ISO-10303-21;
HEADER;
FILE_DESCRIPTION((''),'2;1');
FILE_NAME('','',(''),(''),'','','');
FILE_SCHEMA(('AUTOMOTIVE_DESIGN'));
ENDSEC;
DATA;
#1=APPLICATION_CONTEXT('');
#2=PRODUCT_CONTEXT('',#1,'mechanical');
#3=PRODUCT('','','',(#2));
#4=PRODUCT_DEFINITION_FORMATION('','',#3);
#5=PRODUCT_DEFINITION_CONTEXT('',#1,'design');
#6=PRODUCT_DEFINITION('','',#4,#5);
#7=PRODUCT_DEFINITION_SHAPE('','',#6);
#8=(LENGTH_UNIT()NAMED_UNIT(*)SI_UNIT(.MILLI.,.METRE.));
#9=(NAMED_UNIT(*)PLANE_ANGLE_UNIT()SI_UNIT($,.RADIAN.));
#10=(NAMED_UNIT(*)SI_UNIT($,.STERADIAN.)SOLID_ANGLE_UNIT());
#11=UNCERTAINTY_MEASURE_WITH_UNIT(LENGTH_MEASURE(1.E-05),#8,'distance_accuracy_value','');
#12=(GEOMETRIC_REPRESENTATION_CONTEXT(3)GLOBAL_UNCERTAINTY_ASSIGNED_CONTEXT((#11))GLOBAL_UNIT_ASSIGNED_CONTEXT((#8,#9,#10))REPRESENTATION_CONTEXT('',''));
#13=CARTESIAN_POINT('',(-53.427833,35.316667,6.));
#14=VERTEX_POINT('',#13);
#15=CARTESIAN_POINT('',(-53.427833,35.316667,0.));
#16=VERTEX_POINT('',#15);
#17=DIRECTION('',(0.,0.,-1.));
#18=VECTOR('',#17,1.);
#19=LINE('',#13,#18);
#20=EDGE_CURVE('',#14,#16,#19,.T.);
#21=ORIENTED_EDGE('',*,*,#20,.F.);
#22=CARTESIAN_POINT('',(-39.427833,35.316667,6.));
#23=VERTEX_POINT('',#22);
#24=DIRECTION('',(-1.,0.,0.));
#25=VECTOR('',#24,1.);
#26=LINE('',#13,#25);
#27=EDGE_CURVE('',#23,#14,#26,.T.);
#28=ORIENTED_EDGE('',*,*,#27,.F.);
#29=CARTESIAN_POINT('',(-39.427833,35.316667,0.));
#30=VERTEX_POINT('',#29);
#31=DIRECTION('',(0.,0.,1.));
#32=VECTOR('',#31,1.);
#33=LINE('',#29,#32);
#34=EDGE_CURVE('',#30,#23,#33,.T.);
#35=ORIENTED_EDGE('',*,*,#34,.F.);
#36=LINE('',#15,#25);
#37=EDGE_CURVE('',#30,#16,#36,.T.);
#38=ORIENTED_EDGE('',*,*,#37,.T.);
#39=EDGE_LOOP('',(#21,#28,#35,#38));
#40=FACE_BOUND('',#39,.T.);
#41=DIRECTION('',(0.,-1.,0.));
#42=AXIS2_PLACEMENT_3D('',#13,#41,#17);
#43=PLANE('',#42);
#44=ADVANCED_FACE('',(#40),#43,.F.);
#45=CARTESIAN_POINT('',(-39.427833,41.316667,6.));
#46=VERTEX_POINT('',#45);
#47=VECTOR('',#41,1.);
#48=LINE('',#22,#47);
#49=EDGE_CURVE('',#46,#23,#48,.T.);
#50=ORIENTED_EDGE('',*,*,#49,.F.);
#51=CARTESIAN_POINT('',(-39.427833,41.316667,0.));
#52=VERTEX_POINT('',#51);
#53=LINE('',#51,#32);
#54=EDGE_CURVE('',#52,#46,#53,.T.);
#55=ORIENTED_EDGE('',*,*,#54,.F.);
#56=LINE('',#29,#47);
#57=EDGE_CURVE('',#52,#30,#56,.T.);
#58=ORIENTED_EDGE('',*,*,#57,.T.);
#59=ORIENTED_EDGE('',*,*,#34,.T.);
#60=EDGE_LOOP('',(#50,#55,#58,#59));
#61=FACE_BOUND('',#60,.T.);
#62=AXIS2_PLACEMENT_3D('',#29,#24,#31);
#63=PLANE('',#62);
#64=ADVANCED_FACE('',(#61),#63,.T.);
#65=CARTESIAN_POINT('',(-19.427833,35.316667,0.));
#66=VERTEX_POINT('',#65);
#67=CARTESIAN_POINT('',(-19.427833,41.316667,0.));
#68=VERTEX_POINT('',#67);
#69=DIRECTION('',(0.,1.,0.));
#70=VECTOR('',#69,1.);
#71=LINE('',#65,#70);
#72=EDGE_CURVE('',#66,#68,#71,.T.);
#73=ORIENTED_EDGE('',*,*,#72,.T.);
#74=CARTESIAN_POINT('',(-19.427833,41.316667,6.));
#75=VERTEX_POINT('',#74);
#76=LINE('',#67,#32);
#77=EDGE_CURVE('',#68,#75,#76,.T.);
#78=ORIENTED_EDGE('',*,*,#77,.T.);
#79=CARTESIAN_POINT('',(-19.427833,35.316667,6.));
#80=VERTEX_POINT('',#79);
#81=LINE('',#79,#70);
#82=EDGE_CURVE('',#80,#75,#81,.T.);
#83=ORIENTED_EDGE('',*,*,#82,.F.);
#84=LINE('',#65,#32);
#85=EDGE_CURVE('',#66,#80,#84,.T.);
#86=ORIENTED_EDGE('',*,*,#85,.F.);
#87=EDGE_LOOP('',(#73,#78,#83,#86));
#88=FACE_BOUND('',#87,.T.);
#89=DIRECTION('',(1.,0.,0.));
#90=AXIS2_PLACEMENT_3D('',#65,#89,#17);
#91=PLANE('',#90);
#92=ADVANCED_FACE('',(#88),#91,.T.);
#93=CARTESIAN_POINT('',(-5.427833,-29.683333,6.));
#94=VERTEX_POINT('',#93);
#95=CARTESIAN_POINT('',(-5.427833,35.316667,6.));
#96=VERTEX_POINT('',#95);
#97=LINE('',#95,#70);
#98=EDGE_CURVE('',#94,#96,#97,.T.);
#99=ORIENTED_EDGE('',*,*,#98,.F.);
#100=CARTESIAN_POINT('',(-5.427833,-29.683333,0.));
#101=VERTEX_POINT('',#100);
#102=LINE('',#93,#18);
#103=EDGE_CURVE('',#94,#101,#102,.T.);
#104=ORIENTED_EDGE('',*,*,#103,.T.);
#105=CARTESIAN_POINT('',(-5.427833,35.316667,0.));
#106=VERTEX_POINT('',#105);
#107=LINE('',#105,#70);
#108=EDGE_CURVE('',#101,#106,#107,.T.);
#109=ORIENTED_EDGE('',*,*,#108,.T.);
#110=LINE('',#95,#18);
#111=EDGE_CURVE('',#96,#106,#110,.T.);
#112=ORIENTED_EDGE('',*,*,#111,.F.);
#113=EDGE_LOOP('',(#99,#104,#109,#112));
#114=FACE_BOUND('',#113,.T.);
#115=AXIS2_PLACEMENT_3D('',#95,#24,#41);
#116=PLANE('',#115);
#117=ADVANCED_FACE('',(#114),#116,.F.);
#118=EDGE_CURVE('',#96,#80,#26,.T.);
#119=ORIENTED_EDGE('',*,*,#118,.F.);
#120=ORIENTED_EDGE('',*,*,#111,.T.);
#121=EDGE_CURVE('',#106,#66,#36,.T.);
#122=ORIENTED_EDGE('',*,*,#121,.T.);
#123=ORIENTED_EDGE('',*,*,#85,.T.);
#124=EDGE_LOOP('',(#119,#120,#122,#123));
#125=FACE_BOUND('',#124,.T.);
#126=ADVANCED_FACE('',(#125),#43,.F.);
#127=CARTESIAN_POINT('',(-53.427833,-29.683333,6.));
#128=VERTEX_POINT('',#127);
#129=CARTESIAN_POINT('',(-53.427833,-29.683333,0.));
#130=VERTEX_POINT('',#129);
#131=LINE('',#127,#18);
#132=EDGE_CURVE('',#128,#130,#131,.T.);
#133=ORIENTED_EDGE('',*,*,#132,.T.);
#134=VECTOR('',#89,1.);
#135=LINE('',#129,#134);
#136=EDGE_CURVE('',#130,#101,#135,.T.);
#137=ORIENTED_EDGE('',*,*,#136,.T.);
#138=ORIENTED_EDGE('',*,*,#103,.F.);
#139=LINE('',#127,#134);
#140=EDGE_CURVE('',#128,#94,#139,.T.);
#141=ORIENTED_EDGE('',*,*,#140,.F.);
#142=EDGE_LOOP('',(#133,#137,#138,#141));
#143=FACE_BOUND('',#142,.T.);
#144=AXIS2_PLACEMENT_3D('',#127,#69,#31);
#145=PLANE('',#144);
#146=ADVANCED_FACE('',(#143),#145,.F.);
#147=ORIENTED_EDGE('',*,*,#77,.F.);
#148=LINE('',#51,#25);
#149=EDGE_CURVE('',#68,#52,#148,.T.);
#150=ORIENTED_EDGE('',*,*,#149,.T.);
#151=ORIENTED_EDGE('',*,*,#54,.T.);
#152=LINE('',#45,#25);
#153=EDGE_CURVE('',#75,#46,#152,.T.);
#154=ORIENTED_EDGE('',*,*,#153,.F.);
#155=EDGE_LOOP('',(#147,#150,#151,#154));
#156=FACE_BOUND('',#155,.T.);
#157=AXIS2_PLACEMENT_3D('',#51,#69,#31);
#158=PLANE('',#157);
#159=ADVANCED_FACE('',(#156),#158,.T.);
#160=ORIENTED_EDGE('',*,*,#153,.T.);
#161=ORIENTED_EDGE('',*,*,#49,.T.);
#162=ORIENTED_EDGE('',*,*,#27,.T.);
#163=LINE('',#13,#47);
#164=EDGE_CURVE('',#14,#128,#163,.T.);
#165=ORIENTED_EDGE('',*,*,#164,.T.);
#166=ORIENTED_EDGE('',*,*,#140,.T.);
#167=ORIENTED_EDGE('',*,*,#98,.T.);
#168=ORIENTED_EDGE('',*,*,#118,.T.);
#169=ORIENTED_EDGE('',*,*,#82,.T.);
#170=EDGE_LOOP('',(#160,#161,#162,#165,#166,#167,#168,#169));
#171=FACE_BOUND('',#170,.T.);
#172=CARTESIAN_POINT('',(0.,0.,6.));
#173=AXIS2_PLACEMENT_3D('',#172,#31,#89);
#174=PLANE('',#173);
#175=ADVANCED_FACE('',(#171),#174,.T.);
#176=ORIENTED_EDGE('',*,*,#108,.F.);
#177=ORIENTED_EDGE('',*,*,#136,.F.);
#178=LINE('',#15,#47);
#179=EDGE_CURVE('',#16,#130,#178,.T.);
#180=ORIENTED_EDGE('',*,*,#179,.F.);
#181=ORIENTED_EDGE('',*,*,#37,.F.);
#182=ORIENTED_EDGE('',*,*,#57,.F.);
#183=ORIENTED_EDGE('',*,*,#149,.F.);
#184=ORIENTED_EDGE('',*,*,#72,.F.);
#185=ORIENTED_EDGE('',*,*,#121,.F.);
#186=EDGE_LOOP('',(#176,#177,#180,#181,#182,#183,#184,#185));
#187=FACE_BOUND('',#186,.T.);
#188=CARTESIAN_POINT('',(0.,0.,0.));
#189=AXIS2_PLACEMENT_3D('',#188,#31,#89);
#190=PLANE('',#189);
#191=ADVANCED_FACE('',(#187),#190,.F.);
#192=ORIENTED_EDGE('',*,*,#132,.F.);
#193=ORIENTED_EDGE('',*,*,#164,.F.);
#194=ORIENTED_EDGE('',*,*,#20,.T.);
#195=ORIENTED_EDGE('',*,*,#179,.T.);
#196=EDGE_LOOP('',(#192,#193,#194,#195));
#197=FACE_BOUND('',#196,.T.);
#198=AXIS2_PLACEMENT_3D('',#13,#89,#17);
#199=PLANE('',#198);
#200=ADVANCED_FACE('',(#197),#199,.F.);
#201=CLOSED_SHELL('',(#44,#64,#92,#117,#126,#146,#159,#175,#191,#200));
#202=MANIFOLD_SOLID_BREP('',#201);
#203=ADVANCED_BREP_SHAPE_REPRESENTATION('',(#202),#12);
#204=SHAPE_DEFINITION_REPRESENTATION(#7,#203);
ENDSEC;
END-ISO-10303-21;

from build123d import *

# Parameters (mm, degrees)
ESQUISSE1_W        = 48
ESQUISSE1_H        = 65
BOSS_EXTRU_1_DEPTH = 6
ESQUISSE3_W        = 20
ESQUISSE3_H        = 6
BOSS_EXTRU_2_DEPTH = 6


with BuildPart() as part:
    # Esquisse1 → Boss.-Extru.1 (new body)
    with BuildSketch(Plane.XY):
        with Locations((-29.427833333, 2.816666667)):
            Rectangle(ESQUISSE1_W, ESQUISSE1_H)
    extrude(amount=BOSS_EXTRU_1_DEPTH)

    # Esquisse3 → Boss.-Extru.2 (add)
    with BuildSketch(Plane.XY.offset(6)):
        with Locations((-29.427833333, 38.316666667)):
            Rectangle(ESQUISSE3_W, ESQUISSE3_H)
    extrude(amount=-BOSS_EXTRU_2_DEPTH)


solid = part.part
